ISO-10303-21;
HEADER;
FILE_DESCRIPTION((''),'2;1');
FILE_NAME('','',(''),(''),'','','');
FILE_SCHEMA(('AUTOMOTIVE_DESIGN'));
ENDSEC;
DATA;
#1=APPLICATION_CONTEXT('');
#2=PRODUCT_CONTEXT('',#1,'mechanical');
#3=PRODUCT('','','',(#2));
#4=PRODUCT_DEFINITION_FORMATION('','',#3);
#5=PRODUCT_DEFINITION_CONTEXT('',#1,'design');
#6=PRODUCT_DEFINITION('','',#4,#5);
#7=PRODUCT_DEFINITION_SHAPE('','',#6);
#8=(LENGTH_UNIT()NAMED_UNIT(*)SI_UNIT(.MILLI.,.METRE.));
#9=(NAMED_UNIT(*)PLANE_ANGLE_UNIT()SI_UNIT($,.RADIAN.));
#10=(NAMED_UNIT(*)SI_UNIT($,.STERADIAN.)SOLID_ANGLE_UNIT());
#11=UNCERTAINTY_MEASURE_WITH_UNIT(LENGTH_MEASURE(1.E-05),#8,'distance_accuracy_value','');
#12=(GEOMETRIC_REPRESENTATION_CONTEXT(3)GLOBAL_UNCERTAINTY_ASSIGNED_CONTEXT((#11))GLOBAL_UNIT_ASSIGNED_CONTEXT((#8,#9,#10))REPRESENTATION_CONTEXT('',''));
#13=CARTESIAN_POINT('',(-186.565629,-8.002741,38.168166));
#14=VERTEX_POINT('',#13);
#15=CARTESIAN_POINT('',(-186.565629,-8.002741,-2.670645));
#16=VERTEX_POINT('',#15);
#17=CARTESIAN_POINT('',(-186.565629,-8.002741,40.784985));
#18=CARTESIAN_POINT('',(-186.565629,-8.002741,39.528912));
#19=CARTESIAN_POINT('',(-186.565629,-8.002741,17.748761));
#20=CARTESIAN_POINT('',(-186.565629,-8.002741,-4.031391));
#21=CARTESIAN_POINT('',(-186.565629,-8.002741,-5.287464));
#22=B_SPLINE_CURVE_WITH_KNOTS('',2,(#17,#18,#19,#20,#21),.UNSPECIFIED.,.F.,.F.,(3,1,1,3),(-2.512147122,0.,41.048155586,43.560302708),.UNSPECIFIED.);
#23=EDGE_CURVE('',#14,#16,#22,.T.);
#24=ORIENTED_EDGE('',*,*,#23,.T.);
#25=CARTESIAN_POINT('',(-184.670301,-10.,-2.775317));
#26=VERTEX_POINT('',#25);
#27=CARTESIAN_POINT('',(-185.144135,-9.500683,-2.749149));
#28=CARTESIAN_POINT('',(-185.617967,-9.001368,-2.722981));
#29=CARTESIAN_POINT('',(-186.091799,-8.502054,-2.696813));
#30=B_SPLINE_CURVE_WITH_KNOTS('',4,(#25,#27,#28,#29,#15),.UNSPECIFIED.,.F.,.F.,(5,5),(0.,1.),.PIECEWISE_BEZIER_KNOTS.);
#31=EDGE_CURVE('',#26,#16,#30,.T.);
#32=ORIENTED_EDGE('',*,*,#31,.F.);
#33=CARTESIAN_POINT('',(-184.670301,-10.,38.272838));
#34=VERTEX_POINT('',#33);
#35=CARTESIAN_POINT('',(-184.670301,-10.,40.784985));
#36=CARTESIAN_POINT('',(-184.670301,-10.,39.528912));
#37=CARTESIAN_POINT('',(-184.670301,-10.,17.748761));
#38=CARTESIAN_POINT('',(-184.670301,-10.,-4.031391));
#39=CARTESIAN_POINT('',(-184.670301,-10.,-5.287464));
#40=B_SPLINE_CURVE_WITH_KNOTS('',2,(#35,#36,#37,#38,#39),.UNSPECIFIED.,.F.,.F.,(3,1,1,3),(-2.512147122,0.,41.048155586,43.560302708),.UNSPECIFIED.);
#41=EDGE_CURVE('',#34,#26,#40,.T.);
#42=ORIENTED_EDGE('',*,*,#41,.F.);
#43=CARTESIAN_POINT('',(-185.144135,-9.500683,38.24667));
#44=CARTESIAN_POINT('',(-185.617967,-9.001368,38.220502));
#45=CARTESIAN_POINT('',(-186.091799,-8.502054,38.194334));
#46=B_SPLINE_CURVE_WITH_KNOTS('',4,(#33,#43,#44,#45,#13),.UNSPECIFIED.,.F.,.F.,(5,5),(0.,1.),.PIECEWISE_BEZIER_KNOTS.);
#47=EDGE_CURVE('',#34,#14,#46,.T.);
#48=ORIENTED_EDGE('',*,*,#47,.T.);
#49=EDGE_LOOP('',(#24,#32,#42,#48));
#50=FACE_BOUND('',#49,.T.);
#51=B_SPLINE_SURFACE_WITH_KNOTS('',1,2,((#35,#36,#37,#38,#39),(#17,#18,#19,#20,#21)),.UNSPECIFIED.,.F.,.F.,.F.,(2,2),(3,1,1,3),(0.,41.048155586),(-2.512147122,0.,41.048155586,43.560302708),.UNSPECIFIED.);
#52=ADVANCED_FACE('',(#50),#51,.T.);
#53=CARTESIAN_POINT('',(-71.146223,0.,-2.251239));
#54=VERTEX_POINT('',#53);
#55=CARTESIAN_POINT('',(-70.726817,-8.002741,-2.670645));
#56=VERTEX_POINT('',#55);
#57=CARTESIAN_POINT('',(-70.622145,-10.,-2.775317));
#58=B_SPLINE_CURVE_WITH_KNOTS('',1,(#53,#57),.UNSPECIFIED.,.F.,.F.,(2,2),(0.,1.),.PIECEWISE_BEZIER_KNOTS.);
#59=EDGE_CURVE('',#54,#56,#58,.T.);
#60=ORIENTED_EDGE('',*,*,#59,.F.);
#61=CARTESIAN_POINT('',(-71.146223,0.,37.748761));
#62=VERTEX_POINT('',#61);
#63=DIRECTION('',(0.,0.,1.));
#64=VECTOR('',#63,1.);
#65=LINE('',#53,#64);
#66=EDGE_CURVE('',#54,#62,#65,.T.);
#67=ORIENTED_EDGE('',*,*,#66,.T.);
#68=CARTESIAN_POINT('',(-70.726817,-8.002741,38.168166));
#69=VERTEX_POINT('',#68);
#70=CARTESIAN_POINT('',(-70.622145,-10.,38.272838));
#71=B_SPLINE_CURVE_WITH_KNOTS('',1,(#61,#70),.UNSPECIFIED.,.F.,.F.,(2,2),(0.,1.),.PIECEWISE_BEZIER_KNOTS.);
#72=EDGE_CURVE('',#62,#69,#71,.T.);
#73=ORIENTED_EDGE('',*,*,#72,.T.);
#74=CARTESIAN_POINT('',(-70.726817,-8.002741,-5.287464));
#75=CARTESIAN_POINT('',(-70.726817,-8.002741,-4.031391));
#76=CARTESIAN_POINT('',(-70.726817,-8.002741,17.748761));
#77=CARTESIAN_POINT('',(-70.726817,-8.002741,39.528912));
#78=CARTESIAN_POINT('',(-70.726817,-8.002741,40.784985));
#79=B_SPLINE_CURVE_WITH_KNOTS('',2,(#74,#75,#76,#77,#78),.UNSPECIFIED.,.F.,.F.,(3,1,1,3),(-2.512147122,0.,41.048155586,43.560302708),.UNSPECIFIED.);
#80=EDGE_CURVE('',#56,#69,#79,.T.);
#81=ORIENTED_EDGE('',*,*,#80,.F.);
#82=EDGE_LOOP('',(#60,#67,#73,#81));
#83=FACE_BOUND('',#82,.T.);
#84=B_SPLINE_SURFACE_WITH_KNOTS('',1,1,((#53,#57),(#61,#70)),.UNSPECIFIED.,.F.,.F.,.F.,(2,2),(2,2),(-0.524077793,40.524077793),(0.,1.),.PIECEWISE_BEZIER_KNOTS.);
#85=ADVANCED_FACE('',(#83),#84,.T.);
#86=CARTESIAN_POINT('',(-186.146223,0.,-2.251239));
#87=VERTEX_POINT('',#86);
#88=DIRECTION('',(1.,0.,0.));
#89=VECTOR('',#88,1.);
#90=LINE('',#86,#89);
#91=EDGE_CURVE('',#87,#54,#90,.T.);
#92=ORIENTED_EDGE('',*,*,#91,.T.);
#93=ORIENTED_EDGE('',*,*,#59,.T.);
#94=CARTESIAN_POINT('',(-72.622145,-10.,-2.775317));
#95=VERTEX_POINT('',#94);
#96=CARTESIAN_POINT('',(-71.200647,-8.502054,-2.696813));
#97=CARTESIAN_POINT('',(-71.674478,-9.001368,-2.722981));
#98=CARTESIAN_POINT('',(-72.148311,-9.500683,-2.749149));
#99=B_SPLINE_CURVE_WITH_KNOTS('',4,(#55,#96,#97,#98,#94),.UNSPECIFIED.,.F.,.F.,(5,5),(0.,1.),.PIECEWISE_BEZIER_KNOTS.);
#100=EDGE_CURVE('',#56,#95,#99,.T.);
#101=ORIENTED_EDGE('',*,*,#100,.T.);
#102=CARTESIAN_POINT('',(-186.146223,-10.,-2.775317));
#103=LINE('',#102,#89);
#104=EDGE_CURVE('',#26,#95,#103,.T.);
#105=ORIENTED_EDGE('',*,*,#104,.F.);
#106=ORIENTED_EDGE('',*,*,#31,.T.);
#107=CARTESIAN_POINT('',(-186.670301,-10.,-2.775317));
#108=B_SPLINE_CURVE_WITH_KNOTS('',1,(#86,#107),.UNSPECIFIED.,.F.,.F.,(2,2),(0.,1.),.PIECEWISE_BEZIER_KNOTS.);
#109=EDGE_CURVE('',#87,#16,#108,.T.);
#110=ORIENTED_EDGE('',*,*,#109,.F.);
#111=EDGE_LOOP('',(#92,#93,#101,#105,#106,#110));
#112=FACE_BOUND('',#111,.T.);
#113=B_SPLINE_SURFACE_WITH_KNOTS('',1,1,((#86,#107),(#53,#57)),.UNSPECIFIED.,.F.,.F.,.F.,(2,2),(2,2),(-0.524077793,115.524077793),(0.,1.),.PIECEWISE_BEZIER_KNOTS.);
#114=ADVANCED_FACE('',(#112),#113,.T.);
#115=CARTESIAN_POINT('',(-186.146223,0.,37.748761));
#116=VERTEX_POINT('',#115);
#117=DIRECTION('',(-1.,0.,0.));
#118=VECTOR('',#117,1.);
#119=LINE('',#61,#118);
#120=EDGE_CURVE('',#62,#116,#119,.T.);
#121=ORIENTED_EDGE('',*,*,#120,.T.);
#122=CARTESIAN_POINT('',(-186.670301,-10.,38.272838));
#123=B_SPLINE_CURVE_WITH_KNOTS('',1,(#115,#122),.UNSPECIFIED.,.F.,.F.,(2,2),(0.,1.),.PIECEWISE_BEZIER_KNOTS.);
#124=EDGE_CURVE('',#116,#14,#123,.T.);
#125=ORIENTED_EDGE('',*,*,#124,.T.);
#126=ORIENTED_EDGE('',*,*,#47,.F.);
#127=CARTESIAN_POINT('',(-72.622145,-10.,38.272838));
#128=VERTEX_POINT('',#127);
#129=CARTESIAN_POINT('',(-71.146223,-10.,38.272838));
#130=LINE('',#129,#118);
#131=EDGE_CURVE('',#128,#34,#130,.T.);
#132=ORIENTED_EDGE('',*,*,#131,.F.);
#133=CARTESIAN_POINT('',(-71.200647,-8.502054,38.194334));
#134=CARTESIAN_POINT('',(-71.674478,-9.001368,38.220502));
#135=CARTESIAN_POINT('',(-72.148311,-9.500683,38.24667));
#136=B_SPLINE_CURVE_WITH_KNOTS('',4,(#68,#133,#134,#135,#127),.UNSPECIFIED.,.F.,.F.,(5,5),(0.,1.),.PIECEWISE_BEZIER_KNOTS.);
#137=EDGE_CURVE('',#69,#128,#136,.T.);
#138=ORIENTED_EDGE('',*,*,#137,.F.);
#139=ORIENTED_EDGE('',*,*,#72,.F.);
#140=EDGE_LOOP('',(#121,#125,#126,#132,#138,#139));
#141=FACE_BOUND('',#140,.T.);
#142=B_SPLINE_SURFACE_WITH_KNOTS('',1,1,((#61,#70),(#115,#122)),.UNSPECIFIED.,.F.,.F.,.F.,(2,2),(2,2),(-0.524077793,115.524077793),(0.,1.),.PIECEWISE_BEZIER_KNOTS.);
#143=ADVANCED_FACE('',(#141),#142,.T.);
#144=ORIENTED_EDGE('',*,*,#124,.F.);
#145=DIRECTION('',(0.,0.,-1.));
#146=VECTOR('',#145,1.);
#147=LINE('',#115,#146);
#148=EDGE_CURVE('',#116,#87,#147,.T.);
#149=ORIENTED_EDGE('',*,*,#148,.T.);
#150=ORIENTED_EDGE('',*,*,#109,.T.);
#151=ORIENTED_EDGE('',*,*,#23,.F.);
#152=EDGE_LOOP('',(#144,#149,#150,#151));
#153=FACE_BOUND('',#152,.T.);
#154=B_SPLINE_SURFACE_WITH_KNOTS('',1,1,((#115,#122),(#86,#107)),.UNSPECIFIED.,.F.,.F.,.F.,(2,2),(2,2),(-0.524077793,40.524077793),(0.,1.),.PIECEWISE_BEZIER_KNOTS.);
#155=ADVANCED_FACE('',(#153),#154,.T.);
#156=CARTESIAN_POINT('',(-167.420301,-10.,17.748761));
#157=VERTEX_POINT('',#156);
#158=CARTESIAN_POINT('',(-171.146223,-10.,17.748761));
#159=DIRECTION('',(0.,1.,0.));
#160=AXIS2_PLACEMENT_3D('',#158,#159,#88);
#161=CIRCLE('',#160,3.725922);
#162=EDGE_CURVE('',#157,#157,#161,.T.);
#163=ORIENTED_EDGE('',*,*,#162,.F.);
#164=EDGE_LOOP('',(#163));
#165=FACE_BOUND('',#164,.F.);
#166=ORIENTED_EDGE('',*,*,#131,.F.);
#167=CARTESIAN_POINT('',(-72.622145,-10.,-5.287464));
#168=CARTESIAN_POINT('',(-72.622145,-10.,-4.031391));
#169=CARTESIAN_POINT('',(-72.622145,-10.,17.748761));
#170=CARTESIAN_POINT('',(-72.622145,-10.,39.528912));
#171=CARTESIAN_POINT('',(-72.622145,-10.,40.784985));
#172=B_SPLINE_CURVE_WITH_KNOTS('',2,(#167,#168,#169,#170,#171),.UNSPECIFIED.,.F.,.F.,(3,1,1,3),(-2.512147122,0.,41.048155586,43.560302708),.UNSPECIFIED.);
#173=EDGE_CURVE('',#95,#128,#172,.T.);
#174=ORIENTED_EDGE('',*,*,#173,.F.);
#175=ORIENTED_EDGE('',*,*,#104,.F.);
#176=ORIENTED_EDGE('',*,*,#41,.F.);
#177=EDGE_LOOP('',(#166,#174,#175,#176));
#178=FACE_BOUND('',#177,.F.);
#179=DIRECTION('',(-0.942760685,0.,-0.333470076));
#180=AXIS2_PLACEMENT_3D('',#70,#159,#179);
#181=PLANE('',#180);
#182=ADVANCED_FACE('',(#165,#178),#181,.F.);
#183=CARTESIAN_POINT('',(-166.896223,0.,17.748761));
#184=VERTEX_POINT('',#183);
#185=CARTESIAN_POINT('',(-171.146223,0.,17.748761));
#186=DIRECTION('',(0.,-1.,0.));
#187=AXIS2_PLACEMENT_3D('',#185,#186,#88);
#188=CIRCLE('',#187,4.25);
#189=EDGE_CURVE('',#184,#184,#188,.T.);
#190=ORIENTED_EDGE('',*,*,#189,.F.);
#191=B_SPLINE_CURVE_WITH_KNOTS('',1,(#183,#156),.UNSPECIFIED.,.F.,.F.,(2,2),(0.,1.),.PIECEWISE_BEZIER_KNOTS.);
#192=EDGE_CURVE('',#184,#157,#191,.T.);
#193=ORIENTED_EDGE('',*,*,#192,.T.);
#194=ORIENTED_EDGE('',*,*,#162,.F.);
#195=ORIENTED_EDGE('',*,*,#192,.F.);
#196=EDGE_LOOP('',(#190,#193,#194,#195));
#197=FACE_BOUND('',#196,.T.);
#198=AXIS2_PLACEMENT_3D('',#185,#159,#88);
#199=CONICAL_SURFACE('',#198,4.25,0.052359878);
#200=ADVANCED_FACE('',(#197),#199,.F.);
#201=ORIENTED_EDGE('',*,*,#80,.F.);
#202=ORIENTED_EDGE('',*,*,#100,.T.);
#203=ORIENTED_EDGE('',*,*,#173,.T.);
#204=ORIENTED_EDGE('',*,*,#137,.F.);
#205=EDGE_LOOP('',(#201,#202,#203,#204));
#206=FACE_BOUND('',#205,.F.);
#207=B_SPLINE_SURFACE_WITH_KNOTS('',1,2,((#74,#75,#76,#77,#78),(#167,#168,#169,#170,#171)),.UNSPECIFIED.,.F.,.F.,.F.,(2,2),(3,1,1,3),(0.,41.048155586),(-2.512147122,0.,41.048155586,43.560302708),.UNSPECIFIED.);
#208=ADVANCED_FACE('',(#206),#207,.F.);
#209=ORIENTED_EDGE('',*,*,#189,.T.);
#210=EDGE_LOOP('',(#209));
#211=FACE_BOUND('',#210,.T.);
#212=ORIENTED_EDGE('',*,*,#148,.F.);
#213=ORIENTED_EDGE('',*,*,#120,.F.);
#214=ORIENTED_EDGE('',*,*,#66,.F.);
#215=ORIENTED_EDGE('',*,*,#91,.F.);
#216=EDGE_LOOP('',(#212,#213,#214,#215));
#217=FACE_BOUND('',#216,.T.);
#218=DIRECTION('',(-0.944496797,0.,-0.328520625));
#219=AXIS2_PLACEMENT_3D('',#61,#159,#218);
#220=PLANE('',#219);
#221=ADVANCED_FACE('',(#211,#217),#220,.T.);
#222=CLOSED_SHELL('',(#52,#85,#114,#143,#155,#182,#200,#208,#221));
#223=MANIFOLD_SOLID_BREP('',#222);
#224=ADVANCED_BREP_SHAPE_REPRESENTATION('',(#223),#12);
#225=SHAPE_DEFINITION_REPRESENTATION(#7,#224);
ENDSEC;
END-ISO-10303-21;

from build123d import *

# Parameters (mm, degrees)
F0_R     = 4.25
F1_DEPTH = 10
F1_TAPER = -3
F2_SIZE  = 2


with BuildPart() as f1:
    # F0 (on Front) → F1 (new body)
    with BuildSketch(Plane.XZ):
        Polygon((-71.1462228677, 37.7487605251), (-186.1462228677, 37.7487605251), (-186.1462228677, 17.7487605251), (-186.1462228677, -2.2512394749), (-71.1462228677, -2.2512394749), align=None)
        with Locations((-171.1462228677, 17.7487605251)):
            Circle(F0_R, mode=Mode.SUBTRACT)
    extrude(amount=F1_DEPTH, taper=F1_TAPER)

    # F2
    f2_edges = [f1.edges().sort_by_distance(p)[0] for p in [
        (-186.670301, -10, 17.748761),
        (-70.622145, -10, 17.748761),
    ]]
    chamfer(f2_edges, length=F2_SIZE)


solid = f1.part
